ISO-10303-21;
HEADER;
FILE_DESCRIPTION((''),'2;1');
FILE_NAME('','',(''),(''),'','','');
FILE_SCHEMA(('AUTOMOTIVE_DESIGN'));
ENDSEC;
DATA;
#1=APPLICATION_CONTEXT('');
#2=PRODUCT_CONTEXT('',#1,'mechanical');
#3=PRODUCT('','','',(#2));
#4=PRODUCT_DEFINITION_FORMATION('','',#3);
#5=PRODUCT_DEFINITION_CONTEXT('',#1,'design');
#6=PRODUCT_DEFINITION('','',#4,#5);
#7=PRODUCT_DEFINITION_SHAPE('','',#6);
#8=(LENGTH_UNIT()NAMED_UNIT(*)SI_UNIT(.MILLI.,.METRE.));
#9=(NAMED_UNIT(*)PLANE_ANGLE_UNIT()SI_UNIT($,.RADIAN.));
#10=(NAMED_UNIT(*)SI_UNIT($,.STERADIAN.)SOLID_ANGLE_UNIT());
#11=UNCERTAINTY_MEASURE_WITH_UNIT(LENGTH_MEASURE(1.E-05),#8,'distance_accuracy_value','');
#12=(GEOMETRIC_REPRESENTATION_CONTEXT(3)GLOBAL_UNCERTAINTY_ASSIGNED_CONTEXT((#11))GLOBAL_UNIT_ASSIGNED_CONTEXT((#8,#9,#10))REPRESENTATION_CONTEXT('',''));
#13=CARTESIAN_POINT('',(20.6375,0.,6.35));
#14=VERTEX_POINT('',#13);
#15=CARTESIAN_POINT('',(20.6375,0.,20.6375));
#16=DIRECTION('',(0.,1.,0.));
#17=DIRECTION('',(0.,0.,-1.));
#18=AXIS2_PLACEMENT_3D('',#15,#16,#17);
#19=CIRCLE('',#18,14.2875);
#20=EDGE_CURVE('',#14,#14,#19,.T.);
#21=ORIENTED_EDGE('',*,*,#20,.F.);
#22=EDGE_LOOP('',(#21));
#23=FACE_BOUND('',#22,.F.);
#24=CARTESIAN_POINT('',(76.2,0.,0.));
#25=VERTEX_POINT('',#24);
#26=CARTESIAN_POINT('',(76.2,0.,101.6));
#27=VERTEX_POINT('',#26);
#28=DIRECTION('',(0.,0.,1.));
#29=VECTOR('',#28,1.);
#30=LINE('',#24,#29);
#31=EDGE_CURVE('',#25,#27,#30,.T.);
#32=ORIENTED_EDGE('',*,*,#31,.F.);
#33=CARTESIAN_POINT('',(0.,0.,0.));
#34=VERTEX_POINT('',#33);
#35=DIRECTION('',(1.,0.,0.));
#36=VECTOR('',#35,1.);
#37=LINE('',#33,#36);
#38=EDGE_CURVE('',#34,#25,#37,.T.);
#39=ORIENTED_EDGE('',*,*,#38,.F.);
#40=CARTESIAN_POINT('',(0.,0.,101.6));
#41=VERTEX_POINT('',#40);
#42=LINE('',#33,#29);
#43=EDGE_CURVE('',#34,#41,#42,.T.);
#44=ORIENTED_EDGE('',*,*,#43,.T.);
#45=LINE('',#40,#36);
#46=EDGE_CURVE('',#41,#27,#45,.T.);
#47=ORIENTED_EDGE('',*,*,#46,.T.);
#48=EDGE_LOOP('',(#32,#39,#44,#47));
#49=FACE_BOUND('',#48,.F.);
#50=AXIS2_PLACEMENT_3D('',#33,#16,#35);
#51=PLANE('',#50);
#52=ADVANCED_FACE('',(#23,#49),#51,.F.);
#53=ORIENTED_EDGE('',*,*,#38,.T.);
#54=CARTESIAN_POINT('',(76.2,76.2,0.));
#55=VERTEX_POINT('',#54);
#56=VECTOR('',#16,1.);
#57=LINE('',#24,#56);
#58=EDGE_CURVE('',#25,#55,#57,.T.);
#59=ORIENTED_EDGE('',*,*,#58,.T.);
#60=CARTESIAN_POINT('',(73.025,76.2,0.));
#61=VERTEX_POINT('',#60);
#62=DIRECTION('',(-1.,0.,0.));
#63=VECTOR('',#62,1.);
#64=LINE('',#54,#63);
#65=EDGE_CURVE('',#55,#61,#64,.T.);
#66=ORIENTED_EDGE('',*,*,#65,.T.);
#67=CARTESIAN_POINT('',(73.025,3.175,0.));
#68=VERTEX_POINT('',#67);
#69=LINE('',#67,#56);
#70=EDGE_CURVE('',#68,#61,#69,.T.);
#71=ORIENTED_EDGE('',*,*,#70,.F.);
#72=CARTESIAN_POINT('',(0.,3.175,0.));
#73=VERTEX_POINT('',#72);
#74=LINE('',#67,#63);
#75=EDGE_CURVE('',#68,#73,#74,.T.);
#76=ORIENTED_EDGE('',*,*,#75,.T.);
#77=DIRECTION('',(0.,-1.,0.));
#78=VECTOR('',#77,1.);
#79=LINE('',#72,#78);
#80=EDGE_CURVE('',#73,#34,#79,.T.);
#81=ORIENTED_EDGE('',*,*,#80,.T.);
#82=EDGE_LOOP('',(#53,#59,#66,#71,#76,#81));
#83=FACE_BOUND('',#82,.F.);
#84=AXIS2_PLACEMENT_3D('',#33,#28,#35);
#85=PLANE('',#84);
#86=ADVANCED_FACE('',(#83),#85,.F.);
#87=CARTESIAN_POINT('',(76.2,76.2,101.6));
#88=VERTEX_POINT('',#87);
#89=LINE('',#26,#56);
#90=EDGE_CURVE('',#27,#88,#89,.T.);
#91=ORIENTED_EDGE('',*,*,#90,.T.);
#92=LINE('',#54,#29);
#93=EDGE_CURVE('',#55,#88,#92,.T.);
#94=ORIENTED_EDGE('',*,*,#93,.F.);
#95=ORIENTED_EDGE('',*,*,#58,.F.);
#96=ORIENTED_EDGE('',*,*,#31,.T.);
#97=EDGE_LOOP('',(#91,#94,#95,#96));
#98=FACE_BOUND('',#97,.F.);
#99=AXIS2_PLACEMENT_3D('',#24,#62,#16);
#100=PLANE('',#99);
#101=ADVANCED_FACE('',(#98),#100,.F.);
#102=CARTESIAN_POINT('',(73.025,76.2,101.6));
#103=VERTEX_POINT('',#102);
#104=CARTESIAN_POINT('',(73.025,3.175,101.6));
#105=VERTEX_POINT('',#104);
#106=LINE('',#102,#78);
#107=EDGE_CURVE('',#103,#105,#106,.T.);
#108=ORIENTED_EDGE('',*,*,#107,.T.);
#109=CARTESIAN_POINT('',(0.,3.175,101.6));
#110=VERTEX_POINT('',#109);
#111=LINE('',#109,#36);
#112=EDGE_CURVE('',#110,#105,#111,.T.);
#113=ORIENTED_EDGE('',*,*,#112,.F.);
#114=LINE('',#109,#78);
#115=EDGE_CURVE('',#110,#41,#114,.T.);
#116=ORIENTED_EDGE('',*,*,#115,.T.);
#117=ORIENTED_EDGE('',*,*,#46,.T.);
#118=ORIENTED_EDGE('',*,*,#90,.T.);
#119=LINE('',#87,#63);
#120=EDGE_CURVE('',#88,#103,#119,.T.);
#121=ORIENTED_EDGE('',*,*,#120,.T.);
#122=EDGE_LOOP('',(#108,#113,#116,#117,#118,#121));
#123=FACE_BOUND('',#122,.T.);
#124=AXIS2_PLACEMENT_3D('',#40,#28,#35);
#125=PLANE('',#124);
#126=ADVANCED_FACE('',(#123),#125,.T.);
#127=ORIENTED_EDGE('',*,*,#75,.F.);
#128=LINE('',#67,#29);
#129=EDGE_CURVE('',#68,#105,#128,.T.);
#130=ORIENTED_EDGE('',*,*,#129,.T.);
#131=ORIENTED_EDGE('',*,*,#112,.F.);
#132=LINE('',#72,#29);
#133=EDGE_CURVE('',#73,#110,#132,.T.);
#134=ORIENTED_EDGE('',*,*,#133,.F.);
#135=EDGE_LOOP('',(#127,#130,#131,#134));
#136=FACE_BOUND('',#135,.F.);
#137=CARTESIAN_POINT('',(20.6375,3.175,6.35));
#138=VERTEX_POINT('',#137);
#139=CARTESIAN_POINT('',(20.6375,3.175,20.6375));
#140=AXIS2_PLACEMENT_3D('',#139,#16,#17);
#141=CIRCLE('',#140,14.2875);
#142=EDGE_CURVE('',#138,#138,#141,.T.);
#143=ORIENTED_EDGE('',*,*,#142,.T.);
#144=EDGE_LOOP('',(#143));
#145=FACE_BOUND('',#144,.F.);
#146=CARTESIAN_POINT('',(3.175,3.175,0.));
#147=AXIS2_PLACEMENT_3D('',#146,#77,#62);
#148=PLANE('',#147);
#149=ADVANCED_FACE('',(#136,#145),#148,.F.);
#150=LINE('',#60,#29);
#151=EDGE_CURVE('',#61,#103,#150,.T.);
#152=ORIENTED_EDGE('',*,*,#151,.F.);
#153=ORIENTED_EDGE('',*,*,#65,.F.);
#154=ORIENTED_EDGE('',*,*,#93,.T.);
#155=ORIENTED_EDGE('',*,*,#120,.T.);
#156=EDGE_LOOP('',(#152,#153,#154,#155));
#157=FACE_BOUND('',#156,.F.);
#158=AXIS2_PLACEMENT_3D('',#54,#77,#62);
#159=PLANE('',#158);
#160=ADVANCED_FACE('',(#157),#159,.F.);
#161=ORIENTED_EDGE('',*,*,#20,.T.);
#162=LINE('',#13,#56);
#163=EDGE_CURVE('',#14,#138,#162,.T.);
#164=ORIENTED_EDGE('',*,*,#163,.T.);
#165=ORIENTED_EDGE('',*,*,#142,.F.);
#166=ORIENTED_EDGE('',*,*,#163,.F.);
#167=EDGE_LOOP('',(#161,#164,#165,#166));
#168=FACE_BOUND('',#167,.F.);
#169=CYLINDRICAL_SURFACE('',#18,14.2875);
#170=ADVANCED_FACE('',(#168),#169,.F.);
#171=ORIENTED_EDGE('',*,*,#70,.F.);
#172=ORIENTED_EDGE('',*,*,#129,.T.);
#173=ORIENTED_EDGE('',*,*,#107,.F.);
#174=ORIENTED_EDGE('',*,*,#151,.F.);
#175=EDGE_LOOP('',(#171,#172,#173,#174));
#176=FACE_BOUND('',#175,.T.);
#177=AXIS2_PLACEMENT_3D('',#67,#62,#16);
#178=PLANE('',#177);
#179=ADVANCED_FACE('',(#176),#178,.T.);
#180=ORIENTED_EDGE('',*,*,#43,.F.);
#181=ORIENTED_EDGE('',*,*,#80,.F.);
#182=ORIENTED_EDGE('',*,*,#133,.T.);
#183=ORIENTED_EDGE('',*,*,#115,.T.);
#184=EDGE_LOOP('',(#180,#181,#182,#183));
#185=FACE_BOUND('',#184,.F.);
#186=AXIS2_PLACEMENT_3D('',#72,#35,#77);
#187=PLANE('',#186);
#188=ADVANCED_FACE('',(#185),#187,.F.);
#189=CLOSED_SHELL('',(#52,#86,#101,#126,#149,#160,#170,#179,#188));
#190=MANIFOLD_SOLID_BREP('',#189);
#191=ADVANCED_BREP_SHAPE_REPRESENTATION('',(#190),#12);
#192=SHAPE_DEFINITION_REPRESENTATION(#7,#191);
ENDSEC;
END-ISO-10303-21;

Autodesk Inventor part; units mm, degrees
ref_plane "YZ Plane" through (0, 0, 0) normal (1, 0, 0) x (0, 1, 0)
ref_plane "XZ Plane" through (0, 0, 0) normal (0, 1, 0) x (-1, 0, 0)
ref_plane "XY Plane" through (0, 0, 0) normal (0, 0, 1) x (1, 0, 0)
sketch "Sketch1" plane through (0, 0, 0) normal (0, 0, 1) x (1, 0, 0)
  line L0 (0, 0) -> (76.2, 0)
  line L1 (76.2, 0) -> (76.2, 76.2)
  line L2 (76.2, 76.2) -> (0, 76.2)
  line L3 (0, 3.175) -> (0, 0)
  line L4 (3.175, 3.175) -> (73.025, 3.175)
  line L5 (73.025, 3.175) -> (73.025, 73.025)
  line L6 (3.175, 3.175) -> (0, 3.175)
  line L7 (73.025, 73.025) -> (73.025, 76.2)
  dimension "d0" = 76.2
  dimension "d1" = 76.2
extrude "Extrusion1" add sketch "Sketch1" along normal blind 101.6
sketch "Sketch2" plane through (0, 0, 0) normal (0, -1, 0) x (1, 0, 0)
  line L0 (0, 101.6) -> (76.2, 101.6) projected
  line L1 (0, 0) -> (0, 101.6) projected
  point P0 (20.6375, 20.6375)
  dimension "d5" = 80.9625
  dimension "d6" = 20.6375
  dimension "d14" = 101.6
hole "Hole1" at (20.6375, 0, 20.6375) direction (0, 1, 0) diameter 28.575 depth 25.4 tip angle 118
properties part number "ARM_068_NewLongShaftMountFlipped" material "Aluminum 6061"
